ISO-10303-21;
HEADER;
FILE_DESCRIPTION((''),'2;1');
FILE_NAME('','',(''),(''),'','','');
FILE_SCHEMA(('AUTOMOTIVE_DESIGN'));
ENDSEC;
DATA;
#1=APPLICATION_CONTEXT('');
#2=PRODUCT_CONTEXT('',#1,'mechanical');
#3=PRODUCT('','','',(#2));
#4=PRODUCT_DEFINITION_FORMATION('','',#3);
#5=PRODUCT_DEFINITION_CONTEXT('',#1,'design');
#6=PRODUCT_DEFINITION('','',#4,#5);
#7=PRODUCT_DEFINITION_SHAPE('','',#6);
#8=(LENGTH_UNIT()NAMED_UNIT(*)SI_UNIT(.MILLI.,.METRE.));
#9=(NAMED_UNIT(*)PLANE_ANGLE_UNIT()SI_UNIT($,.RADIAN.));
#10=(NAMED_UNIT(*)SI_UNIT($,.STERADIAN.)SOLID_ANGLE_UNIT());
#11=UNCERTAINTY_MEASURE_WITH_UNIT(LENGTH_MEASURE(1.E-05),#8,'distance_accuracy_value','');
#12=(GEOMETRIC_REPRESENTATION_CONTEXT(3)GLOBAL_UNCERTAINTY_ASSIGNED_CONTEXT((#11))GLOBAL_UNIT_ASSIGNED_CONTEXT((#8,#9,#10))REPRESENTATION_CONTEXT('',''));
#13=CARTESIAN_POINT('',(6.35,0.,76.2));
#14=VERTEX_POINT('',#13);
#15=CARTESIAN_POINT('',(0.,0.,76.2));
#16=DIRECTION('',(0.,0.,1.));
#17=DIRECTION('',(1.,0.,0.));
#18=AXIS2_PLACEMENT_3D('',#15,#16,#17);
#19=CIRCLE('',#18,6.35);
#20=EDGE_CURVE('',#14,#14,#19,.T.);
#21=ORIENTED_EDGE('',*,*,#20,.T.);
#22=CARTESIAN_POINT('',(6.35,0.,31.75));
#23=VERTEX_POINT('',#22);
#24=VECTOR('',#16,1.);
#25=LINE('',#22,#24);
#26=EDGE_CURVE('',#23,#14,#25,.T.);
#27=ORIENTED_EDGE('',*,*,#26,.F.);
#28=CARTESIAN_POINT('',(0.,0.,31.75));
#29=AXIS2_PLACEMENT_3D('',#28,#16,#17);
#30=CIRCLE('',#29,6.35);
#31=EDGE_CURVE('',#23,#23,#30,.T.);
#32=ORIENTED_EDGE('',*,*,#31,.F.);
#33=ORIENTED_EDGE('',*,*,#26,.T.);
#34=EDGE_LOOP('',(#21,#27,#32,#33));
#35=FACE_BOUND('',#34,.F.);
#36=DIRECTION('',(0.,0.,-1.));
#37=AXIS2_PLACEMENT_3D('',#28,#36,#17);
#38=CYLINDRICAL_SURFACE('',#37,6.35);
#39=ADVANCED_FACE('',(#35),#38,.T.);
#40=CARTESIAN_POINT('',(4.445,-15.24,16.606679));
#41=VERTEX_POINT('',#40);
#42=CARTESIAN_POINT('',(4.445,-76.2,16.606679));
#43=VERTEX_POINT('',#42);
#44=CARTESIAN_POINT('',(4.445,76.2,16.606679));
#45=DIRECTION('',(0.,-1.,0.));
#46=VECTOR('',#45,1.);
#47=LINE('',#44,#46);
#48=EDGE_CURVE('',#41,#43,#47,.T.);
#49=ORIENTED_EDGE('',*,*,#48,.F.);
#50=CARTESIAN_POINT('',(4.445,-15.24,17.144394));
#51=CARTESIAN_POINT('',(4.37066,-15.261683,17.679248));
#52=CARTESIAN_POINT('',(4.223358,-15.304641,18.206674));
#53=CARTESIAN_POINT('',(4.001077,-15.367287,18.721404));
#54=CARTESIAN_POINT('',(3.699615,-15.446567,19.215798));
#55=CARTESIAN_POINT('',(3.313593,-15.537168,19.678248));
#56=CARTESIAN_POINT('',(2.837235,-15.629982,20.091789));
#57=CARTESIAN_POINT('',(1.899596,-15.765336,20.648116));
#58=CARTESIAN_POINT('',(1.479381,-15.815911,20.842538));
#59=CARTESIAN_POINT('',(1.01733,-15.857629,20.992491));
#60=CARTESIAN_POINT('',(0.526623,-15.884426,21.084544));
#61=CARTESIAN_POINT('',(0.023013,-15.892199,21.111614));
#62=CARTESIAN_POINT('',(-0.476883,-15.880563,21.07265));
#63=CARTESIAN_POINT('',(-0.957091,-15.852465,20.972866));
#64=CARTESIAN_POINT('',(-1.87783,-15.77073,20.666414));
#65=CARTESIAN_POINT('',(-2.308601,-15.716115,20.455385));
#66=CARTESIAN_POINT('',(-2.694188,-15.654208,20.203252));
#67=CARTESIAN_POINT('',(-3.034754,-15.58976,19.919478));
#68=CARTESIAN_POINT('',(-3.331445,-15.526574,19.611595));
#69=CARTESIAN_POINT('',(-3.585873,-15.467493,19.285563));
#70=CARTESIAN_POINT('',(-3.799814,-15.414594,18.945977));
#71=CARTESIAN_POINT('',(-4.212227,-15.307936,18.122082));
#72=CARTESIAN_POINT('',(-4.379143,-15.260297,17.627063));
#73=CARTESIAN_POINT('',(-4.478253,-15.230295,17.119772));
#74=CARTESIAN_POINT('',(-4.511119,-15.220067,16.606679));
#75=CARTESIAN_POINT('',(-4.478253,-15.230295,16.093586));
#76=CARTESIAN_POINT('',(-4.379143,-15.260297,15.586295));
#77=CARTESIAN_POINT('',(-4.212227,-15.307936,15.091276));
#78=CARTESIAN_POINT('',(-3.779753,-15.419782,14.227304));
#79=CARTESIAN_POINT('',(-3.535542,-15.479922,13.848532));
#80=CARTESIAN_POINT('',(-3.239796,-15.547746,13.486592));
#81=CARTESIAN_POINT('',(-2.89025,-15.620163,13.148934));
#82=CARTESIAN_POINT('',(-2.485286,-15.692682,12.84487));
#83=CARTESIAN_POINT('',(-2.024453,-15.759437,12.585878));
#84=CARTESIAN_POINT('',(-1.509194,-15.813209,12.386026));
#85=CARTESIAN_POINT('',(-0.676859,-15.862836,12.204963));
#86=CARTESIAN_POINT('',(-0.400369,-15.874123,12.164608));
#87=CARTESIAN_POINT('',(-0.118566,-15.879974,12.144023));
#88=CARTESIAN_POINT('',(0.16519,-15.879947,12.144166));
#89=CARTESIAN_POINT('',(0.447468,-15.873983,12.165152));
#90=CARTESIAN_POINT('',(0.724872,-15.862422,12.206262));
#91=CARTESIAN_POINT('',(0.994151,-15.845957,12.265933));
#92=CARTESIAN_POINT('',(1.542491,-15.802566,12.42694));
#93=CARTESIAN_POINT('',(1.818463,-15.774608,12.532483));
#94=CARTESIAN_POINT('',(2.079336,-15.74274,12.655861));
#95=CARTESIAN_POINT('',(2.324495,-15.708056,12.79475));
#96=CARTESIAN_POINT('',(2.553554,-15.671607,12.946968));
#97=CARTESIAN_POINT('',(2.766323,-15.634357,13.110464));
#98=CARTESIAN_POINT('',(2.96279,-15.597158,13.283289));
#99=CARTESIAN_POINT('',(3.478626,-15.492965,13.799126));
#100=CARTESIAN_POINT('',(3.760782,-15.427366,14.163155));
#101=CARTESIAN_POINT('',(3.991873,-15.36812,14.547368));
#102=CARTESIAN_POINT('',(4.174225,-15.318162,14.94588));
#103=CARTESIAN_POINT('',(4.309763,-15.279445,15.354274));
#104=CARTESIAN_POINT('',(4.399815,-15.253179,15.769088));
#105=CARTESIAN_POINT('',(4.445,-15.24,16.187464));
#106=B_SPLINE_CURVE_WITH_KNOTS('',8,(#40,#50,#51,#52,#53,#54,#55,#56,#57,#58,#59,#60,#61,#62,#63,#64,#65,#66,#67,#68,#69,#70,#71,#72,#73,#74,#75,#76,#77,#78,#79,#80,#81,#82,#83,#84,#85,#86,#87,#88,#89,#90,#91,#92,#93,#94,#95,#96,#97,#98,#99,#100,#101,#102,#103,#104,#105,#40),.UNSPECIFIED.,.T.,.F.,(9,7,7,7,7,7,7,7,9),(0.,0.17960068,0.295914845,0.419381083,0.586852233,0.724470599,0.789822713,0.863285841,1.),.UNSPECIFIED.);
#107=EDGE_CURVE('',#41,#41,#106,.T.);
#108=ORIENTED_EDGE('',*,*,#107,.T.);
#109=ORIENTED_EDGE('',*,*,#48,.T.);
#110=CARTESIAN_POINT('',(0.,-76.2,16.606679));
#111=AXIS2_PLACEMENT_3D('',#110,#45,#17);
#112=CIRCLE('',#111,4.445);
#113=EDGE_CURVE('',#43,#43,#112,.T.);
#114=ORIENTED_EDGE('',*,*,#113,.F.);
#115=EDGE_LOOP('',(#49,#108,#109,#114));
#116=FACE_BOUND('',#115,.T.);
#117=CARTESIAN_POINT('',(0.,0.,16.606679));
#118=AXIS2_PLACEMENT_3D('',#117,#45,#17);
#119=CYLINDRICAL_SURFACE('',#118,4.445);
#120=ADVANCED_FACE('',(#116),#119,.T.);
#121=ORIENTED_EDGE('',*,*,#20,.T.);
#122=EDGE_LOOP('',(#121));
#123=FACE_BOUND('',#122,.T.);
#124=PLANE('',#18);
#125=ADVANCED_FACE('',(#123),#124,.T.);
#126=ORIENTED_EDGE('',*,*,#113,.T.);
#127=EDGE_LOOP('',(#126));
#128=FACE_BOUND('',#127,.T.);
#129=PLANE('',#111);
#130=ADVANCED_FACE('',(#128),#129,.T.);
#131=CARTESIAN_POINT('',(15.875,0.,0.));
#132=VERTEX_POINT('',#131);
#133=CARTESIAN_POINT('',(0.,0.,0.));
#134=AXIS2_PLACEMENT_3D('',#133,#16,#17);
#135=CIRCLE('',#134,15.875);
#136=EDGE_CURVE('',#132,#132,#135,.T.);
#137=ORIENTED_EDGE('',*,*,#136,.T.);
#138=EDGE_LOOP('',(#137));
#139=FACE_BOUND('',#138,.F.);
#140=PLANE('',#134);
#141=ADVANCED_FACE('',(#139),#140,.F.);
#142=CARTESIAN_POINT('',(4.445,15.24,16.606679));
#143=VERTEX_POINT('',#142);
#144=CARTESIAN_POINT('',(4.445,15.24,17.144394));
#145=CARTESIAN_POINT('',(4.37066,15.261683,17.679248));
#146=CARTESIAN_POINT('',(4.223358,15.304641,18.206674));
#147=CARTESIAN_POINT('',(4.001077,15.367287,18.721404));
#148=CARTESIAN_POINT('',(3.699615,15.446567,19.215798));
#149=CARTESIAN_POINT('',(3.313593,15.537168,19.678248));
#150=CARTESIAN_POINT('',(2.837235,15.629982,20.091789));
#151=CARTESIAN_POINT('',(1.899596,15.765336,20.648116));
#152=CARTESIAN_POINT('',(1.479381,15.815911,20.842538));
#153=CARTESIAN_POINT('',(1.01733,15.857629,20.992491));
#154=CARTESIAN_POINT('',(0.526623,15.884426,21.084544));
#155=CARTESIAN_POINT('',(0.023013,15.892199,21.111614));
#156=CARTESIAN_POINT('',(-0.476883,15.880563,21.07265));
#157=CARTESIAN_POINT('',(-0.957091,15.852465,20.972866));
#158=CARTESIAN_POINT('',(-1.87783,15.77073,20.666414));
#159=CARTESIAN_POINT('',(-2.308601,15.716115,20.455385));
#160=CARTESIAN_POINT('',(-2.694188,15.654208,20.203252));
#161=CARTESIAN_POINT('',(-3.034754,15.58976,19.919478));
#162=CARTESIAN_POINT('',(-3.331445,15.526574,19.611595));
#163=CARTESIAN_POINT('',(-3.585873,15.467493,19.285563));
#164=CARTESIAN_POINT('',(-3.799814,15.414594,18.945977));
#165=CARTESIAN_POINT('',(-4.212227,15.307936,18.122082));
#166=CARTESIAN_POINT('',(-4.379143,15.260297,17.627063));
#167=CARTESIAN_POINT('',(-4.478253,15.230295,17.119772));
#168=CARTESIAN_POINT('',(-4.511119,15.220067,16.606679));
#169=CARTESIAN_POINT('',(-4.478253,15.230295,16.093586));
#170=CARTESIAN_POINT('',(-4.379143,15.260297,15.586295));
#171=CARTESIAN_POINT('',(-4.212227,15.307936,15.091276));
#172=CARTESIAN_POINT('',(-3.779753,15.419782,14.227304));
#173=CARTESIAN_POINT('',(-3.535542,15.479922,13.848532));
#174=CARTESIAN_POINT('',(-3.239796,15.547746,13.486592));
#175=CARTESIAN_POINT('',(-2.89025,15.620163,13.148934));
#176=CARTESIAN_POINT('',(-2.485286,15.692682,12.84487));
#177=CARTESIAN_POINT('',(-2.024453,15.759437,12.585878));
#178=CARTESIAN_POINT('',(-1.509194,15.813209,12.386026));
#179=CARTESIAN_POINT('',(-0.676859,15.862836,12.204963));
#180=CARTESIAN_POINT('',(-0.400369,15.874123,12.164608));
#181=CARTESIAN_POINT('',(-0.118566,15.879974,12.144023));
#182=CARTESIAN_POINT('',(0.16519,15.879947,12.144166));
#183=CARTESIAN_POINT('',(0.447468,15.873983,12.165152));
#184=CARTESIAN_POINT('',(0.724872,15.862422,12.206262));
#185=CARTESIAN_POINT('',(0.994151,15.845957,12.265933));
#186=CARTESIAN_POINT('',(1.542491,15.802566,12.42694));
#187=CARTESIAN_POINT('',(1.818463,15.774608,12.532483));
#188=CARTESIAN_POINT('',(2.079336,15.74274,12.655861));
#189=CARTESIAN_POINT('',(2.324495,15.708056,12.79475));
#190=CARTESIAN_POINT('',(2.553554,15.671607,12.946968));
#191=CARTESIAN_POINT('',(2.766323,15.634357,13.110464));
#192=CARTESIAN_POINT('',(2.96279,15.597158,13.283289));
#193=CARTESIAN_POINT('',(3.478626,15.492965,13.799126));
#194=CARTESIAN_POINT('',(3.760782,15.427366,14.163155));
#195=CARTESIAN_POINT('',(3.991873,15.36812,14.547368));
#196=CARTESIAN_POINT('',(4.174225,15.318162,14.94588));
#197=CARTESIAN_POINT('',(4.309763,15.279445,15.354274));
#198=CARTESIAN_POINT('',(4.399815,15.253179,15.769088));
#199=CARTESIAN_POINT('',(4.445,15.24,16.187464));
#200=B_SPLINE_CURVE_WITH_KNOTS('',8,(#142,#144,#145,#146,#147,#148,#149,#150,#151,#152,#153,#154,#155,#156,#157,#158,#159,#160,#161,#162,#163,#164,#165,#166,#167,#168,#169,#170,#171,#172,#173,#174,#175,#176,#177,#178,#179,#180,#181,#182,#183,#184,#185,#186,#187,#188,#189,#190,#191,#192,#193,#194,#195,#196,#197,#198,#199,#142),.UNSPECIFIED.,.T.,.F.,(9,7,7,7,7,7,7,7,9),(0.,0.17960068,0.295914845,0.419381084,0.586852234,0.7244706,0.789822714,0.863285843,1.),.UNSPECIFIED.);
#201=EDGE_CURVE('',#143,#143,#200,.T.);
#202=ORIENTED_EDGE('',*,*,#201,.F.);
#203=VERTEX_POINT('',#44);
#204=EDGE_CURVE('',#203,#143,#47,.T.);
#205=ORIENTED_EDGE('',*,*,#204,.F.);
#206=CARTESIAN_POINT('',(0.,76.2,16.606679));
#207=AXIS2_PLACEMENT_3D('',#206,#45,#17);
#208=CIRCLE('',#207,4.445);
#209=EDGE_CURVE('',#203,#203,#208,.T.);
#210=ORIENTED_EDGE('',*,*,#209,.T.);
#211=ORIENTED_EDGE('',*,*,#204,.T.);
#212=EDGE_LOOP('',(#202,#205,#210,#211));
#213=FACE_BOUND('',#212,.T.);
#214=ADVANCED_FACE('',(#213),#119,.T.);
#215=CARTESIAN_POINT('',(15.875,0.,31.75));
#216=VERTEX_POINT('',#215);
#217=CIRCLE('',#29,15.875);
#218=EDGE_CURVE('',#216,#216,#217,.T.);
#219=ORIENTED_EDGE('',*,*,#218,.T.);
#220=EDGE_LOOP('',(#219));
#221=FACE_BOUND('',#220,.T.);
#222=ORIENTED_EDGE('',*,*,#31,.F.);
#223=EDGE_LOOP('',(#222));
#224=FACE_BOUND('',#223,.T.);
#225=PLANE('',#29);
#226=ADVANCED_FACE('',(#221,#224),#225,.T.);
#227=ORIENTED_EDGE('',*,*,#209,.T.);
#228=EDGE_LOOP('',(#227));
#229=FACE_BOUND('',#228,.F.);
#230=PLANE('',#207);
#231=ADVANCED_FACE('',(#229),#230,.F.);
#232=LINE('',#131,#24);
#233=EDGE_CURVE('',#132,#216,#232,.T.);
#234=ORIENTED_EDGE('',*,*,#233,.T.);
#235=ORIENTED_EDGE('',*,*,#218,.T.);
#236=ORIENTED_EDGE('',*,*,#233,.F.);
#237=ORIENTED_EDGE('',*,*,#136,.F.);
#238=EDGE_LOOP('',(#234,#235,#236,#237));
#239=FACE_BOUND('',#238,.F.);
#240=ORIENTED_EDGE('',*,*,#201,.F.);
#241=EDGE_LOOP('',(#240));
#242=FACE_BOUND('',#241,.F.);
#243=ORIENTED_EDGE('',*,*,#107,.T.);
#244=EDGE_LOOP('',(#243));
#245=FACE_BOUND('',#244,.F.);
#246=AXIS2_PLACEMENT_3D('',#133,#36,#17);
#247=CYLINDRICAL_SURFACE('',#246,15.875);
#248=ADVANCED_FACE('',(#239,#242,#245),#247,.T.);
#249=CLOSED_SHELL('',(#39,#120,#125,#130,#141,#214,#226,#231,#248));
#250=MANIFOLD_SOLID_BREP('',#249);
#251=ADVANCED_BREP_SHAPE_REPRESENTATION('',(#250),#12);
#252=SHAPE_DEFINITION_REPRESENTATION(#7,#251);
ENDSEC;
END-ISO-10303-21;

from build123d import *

# Parameters (mm, degrees)
F0_R     = 15.875
F1_DEPTH = 31.75
F2_R     = 6.35
F3_DEPTH = 44.45
F4_R     = 4.445
F5_DEPTH = 76.2


with BuildPart() as f1:
    # F0 (on Top) → F1 (new body)
    with BuildSketch(Plane.XY):
        Circle(F0_R)
    extrude(amount=F1_DEPTH)

    # F2 (on face) → F3 (join)
    with BuildSketch(Plane.XY.offset(31.75)):
        Circle(F2_R)
    extrude(amount=F3_DEPTH)

    # F4 (on Front) → F5 (join, symmetric)
    with BuildSketch(Plane.XZ):
        with Locations((0, 16.606679)):
            Circle(F4_R)
    extrude(amount=F5_DEPTH, both=True)


solid = f1.part
